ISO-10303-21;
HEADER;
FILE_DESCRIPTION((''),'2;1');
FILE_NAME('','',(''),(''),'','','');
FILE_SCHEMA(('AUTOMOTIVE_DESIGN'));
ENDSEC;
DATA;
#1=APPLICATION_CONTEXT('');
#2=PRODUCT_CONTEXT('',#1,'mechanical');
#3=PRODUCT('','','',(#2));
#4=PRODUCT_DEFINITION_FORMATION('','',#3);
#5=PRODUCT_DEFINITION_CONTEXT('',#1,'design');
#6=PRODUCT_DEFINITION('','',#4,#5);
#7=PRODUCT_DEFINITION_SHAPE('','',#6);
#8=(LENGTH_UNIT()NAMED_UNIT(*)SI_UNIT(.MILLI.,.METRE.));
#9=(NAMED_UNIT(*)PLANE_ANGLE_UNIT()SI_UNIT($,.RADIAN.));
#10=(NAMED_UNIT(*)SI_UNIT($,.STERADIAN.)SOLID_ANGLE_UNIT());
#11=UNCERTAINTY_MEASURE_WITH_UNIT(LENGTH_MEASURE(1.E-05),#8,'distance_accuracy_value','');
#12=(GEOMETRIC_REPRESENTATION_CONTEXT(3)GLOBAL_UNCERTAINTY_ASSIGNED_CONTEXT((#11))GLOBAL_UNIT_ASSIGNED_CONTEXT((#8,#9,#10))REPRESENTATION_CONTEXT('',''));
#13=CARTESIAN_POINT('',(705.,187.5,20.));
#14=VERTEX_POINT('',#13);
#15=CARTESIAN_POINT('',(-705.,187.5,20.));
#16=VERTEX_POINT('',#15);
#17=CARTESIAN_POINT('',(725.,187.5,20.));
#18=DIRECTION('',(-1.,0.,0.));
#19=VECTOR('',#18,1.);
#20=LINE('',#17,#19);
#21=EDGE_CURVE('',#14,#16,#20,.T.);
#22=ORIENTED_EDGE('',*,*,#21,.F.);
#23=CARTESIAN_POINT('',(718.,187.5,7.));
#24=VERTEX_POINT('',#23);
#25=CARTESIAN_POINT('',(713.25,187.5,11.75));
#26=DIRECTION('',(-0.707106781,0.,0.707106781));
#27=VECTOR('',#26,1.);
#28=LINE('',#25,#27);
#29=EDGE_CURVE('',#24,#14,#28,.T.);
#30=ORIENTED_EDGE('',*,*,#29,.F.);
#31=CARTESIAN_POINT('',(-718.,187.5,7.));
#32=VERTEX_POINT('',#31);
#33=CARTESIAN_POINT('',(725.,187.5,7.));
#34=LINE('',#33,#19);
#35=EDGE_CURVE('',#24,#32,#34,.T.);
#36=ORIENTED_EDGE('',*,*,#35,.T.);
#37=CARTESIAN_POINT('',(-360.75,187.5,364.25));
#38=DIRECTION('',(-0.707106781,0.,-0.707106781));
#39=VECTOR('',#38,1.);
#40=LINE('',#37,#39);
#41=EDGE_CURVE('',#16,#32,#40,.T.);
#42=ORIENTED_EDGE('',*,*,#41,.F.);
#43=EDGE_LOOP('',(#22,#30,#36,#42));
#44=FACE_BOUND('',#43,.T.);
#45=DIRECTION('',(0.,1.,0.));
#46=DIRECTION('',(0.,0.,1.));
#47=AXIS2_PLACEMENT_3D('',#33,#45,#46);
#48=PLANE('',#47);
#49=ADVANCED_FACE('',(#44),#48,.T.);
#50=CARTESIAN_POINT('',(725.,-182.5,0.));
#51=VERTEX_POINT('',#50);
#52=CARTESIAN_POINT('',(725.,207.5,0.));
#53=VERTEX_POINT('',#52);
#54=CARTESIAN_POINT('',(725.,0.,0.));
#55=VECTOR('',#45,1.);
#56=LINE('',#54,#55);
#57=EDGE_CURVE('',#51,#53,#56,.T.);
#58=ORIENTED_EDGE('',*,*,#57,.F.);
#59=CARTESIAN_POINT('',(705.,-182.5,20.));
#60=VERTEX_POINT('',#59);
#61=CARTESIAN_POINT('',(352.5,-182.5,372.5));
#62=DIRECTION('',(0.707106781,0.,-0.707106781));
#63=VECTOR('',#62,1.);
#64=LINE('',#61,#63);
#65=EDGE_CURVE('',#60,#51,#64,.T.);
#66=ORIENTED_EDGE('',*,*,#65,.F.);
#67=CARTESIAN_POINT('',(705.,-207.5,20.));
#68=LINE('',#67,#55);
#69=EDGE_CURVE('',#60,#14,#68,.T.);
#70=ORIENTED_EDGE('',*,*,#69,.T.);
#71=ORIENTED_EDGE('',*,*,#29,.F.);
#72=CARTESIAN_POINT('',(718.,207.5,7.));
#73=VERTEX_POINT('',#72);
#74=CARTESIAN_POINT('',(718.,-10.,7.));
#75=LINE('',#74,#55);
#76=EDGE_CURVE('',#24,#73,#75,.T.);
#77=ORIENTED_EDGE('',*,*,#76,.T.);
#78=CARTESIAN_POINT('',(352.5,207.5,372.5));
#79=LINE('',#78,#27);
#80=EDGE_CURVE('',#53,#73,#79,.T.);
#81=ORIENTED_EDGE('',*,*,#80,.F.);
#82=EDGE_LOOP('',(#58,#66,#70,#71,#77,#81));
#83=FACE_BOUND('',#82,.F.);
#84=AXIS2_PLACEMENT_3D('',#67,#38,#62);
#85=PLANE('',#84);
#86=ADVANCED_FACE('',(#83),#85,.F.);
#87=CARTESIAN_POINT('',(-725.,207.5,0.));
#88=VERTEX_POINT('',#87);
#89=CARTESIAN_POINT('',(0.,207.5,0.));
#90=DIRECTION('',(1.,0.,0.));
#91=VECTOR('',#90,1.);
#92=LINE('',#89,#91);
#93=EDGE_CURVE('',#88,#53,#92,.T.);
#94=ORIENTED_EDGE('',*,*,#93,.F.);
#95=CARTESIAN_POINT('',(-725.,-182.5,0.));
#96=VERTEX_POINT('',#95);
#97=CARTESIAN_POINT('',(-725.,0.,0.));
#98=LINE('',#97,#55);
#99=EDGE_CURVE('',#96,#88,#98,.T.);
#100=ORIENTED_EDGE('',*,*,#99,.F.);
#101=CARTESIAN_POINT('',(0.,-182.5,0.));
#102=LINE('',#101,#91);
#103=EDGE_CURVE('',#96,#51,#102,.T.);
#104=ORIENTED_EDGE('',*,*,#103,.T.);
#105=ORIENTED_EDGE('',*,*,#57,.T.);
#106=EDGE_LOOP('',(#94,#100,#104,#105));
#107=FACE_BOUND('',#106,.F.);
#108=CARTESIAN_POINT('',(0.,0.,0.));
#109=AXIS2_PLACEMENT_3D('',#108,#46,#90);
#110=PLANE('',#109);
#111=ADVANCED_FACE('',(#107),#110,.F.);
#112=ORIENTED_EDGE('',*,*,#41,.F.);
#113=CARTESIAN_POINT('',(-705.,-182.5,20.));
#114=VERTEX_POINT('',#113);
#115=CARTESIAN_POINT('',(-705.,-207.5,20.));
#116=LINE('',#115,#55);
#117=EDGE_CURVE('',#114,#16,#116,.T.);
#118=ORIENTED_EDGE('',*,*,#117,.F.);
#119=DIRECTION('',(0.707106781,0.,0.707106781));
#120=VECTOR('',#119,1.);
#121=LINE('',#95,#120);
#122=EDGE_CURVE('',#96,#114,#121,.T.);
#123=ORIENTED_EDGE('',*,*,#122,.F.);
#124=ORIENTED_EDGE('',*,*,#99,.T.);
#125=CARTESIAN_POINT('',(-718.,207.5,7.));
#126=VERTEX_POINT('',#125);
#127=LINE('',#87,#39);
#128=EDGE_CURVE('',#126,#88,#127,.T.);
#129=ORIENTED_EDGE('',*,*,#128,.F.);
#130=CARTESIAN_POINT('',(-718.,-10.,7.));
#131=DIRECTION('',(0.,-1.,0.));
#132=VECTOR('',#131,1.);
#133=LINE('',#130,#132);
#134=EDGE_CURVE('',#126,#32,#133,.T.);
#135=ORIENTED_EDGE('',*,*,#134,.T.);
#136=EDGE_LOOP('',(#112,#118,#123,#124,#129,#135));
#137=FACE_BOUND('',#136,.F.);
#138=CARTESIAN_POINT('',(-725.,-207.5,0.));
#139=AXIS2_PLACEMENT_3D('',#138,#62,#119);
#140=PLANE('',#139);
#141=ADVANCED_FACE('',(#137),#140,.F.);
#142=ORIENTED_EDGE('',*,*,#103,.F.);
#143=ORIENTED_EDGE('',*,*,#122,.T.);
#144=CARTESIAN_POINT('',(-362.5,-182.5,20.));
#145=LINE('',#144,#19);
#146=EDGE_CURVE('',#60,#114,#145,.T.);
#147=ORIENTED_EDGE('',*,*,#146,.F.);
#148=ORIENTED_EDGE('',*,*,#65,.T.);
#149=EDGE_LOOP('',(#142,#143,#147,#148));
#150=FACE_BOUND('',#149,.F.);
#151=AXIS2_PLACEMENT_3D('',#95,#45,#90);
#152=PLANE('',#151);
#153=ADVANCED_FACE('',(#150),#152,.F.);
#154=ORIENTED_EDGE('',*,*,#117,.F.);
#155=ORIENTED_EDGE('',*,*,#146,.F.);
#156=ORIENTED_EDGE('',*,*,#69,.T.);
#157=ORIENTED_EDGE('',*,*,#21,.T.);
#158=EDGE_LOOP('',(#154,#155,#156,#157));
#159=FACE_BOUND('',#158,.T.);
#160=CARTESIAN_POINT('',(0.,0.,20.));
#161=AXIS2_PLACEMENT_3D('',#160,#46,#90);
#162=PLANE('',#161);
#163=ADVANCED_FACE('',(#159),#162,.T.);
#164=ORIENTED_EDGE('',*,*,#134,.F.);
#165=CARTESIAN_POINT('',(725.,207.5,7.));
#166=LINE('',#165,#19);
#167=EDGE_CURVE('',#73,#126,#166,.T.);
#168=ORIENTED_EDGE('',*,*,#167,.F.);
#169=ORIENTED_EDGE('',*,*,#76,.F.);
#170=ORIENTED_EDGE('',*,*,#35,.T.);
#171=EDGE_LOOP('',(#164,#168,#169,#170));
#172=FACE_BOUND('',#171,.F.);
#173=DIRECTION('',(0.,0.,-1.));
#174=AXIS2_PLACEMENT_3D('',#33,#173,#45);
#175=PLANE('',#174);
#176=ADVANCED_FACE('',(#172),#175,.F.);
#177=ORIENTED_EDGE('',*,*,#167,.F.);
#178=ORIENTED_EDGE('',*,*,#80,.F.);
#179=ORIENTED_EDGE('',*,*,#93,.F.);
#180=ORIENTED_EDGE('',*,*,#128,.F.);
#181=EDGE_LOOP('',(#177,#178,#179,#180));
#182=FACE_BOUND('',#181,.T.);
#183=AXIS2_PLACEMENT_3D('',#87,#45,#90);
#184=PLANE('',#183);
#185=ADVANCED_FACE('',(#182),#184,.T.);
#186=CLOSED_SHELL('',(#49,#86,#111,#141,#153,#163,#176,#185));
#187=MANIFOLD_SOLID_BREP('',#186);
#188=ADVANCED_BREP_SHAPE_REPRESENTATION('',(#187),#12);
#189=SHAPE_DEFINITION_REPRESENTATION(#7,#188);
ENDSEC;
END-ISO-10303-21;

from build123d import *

# Parameters (mm, degrees)
F0_W     = 1450
F0_H     = 415
F1_DEPTH = 20
F2_W     = 20
F2_H     = 13
F3_DEPTH = 1450
F5_DEPTH = 510
F6_W     = 1450
F6_H     = 25
F7_DEPTH = 25


with BuildPart() as f1:
    # F0 (on Top) → F1 (new body)
    with BuildSketch(Plane.XY):
        Rectangle(F0_W, F0_H)
    extrude(amount=F1_DEPTH)

    # F2 (on face) → F3 (cut)
    with BuildSketch(Plane.YZ.offset(725)):
        with Locations((197.5, 13.5)):
            Rectangle(F2_W, F2_H)
    extrude(amount=-F3_DEPTH, mode=Mode.SUBTRACT)

    # F4 (on face) → F5 (cut)
    with BuildSketch(Plane.XZ.offset(207.5)):
        Polygon((725, 0), (725, 20), (705, 20), align=None)
        Polygon((-725, 20), (-725, 0), (-705, 20), align=None)
    extrude(amount=-F5_DEPTH, mode=Mode.SUBTRACT)

    # F6 (on face) → F7 (cut)
    with BuildSketch(Plane(origin=(0, 0, 0), x_dir=(1, 0, 0), z_dir=(0, 0, -1))):
        with Locations((0, 195)):
            Rectangle(F6_W, F6_H)
    extrude(amount=-F7_DEPTH, mode=Mode.SUBTRACT)


solid = f1.part
